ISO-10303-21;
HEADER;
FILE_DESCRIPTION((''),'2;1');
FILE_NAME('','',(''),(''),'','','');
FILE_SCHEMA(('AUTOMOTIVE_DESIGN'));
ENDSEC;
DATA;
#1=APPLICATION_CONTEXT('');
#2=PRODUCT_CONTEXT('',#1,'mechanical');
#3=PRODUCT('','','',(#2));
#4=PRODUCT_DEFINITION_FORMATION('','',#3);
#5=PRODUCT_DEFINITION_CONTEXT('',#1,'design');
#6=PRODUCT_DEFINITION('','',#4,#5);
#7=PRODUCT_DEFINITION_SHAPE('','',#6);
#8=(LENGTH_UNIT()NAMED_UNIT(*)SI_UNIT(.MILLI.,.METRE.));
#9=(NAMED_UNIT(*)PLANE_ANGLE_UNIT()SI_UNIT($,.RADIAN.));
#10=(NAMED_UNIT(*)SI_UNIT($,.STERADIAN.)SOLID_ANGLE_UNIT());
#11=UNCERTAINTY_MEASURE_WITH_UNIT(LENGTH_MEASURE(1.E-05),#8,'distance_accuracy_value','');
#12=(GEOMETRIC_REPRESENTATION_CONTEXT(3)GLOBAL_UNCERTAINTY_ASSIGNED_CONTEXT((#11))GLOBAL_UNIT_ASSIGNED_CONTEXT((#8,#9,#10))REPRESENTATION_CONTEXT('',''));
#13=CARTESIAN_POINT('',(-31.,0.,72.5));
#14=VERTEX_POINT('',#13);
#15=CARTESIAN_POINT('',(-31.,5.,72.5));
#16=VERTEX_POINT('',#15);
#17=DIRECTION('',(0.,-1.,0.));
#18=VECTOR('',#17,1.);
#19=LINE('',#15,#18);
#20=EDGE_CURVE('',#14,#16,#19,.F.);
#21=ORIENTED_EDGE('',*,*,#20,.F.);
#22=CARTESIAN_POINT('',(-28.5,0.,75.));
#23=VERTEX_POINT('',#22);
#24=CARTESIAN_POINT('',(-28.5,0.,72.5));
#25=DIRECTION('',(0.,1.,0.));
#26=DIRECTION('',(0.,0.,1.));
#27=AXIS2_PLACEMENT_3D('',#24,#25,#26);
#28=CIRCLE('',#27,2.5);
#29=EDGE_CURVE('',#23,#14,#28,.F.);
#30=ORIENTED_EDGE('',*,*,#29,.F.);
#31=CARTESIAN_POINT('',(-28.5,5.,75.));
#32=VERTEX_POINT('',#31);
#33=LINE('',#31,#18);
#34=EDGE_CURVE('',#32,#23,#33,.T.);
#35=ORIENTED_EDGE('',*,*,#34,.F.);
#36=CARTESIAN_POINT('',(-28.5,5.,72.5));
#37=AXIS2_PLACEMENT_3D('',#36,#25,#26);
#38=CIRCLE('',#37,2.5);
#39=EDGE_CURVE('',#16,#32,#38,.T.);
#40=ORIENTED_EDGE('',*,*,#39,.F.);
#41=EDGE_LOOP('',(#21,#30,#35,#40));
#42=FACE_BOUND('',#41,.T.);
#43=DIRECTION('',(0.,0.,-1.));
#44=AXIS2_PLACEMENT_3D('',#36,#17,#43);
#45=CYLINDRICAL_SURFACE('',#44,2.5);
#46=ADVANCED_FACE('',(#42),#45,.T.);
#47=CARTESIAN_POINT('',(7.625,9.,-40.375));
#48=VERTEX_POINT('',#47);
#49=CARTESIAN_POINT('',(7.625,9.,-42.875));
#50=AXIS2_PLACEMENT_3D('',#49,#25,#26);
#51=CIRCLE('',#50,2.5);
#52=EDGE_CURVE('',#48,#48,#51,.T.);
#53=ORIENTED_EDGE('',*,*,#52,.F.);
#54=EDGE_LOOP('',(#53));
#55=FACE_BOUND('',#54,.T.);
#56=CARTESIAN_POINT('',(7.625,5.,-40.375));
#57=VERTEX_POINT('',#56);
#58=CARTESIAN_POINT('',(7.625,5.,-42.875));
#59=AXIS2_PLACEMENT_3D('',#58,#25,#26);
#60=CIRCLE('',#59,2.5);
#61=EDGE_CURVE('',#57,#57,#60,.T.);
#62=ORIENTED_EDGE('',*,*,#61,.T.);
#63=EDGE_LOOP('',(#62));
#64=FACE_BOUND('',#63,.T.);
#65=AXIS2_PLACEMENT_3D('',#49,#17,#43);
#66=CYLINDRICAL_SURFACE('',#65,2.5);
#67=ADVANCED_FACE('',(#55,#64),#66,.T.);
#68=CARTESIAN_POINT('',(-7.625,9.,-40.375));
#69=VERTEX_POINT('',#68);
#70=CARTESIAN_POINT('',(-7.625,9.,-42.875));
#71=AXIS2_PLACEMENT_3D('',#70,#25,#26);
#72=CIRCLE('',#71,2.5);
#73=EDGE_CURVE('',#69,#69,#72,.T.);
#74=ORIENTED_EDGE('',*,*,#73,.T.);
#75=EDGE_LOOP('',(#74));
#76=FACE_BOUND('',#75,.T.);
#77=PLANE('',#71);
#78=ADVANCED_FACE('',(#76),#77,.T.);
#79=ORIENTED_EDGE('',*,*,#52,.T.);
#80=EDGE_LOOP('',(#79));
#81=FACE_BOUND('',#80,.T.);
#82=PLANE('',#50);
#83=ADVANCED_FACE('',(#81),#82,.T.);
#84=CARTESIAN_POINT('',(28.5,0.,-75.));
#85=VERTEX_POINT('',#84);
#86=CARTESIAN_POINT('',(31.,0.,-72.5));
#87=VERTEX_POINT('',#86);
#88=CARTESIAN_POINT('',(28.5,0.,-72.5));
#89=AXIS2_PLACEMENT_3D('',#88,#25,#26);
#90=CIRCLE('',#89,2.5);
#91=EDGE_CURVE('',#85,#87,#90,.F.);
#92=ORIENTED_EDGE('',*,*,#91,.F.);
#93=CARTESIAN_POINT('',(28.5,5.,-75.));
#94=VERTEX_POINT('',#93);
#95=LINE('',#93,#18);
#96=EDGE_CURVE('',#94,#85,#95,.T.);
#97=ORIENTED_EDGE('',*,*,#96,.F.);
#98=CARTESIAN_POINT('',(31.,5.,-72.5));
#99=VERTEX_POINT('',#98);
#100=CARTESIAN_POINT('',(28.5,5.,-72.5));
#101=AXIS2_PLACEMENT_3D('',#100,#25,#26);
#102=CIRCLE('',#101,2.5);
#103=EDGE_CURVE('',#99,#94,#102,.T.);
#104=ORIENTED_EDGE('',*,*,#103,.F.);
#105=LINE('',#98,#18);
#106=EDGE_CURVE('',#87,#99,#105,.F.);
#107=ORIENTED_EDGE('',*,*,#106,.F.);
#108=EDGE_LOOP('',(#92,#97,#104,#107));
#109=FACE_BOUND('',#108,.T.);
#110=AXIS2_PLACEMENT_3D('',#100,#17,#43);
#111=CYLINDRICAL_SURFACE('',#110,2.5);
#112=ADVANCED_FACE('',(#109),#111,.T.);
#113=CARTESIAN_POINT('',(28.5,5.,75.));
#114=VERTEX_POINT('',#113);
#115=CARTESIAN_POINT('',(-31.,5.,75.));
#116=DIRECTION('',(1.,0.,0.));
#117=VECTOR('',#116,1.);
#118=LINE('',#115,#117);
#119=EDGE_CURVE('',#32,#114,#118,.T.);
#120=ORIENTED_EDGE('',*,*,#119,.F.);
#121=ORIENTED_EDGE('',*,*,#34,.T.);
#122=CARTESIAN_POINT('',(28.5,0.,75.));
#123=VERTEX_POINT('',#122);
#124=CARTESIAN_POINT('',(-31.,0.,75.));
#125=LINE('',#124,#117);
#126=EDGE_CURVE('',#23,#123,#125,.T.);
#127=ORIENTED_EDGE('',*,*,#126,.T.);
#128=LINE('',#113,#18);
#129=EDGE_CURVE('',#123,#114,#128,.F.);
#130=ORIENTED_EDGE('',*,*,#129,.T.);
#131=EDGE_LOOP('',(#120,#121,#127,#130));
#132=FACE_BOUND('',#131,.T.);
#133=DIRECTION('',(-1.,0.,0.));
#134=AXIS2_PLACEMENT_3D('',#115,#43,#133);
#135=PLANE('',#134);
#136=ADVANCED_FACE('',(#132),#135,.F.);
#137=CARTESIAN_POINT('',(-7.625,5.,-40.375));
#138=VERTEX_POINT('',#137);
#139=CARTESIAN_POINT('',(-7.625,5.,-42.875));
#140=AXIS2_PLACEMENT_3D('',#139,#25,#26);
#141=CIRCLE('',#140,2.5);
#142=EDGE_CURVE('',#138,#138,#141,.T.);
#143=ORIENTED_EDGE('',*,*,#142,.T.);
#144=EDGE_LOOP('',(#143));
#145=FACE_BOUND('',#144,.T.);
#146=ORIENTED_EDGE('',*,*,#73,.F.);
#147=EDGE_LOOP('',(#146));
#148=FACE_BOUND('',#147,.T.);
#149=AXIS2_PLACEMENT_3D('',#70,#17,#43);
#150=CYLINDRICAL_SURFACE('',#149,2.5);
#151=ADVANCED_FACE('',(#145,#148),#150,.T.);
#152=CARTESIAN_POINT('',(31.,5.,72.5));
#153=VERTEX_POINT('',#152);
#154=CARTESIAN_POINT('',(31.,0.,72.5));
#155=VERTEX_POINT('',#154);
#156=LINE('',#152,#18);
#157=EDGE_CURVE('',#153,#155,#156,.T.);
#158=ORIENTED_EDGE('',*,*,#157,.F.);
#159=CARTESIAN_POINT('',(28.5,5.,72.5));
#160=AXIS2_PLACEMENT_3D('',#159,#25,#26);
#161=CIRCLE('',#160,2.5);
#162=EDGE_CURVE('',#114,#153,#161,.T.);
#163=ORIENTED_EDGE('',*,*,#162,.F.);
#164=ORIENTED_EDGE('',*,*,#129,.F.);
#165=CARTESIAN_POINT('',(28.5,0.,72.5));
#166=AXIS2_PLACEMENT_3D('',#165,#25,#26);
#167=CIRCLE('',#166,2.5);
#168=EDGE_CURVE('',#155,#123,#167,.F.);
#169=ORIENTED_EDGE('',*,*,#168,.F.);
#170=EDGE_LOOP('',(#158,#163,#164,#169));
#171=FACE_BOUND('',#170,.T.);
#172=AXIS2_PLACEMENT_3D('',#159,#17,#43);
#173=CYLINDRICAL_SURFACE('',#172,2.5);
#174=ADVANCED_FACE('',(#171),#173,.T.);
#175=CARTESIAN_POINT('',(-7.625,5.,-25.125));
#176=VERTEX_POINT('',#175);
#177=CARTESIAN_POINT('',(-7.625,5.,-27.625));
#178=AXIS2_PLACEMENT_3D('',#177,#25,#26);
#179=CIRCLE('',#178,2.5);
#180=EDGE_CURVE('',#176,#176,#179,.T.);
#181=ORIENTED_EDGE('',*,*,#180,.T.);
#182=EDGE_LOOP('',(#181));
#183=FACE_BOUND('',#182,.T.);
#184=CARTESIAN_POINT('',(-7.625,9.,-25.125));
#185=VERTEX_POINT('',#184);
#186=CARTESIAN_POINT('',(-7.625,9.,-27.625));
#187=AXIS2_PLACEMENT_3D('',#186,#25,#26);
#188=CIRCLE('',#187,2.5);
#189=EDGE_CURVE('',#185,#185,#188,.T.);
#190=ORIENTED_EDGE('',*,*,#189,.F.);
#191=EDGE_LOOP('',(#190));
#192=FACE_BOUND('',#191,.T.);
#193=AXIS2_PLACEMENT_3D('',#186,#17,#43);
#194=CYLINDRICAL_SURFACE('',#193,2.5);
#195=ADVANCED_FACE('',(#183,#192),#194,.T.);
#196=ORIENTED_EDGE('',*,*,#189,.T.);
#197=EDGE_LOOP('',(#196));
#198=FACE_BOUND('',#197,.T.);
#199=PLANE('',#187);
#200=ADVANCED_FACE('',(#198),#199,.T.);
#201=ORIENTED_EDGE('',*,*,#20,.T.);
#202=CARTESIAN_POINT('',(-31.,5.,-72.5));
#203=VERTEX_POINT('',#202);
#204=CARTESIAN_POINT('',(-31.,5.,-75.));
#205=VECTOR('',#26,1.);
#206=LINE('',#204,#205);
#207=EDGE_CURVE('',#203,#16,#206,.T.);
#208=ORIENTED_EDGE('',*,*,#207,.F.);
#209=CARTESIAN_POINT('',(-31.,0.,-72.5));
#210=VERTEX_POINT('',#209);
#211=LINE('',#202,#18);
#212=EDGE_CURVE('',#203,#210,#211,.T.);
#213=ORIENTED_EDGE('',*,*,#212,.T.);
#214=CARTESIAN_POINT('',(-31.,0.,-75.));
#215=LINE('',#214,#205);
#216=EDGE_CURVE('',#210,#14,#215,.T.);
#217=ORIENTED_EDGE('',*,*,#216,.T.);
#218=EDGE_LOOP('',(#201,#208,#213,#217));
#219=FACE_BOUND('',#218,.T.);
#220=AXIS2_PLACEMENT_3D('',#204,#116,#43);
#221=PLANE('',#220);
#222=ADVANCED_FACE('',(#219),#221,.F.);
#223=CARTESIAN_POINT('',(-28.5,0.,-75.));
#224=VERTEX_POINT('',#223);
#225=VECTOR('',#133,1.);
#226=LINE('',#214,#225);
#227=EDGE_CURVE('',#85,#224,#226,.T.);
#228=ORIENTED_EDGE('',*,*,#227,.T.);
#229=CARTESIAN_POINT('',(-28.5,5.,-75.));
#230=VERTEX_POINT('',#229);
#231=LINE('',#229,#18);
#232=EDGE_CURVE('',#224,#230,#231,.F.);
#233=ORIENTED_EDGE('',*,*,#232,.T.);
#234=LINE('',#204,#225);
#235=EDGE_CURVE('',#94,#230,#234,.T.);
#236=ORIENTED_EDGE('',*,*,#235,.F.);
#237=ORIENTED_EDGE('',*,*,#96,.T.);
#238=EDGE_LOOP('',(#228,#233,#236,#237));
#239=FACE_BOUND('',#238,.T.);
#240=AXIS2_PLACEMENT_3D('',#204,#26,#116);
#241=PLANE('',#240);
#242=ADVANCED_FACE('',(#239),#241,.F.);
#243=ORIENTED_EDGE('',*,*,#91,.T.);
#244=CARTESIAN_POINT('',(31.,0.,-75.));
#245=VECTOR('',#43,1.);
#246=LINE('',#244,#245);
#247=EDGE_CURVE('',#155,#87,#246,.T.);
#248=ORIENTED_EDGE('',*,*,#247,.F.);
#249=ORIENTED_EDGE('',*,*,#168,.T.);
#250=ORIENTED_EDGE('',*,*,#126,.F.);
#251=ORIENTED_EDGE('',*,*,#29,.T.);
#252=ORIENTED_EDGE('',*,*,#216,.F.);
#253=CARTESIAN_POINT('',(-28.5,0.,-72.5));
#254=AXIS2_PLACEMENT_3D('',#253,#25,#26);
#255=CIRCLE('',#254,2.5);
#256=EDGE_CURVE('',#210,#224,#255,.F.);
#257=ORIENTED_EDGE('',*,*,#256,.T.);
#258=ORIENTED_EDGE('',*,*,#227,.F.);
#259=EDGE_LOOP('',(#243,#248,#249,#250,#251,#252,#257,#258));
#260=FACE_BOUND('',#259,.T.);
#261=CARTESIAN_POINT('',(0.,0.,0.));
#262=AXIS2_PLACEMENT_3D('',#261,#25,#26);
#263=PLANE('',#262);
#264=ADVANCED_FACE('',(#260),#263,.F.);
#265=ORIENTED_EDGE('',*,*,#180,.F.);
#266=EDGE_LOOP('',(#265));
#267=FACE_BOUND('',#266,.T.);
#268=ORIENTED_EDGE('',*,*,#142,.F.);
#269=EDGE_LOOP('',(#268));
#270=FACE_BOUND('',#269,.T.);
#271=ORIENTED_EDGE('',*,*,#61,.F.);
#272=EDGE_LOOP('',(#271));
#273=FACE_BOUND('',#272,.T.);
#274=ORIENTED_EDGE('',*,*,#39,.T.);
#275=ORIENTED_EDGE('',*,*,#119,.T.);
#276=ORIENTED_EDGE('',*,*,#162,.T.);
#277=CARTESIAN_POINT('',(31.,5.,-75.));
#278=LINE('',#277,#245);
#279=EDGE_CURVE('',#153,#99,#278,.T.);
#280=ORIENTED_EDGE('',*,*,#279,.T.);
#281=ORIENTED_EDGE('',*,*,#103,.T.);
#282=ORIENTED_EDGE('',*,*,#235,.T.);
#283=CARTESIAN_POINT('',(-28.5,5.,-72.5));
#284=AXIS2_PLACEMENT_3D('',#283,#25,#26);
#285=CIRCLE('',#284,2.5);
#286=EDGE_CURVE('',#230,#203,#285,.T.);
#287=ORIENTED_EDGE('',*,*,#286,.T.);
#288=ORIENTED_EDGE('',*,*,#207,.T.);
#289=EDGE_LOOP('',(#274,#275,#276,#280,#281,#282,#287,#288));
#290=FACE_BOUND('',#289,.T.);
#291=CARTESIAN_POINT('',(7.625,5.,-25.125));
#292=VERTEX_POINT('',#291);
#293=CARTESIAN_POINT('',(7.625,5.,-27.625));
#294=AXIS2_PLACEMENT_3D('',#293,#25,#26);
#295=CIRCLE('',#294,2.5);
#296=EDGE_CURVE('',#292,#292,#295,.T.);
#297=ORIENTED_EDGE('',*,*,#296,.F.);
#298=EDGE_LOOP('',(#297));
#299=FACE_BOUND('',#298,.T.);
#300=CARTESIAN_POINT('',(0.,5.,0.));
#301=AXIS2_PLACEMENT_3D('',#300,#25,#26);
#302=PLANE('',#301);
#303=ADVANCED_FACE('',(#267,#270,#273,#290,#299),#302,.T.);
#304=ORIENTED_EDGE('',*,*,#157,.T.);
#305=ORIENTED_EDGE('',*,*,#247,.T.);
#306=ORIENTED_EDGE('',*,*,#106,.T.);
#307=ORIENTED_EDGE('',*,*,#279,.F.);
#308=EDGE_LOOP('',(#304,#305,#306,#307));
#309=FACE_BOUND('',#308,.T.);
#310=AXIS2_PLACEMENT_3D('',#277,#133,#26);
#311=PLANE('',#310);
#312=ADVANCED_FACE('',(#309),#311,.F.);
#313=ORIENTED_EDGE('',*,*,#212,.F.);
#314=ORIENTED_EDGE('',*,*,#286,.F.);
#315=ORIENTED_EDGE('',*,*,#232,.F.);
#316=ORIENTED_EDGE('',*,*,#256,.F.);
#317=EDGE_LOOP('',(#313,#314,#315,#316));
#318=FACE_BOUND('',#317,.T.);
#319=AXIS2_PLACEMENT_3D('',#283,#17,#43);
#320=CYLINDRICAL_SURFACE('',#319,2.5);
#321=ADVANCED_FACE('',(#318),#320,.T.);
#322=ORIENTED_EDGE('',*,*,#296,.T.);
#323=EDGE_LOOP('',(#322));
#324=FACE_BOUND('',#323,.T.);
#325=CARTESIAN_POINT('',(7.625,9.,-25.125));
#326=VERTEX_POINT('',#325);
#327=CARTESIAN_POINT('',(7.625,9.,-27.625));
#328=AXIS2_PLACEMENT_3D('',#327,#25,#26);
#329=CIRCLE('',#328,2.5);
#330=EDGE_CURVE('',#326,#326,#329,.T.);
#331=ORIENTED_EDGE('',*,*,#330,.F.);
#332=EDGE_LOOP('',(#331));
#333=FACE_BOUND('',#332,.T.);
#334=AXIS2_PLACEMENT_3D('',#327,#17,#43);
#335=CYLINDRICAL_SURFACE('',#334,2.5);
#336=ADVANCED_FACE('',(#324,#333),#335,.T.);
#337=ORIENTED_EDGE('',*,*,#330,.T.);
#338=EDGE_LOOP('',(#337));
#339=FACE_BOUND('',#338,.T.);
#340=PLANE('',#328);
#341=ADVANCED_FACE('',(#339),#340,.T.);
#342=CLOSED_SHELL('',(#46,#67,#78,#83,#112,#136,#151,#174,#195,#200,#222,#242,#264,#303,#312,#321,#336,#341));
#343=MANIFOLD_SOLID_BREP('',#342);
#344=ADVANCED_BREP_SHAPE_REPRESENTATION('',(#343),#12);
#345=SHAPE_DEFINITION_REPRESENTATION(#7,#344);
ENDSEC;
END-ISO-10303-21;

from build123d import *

# Parameters (mm, degrees)
SKETCH1_W           = 62
SKETCH1_H           = 150
BOSS_EXTRUDE1_DEPTH = 5
FILLET1_R           = 2.5
SKETCH3_R           = 2.5
BOSS_EXTRUDE2_DEPTH = 4


with BuildPart() as part:
    # Sketch1 → Boss-Extrude1 (new body)
    with BuildSketch(Plane(origin=(0, 0, 0), x_dir=(1, 0, 0), z_dir=(0, 1, 0))):
        Rectangle(SKETCH1_W, SKETCH1_H)
    extrude(amount=BOSS_EXTRUDE1_DEPTH)

    # Fillet1
    fillet1_edges = [part.edges().sort_by_distance(p)[0] for p in [
        (31, 2.5, 75),
        (-31, 2.5, 75),
        (-31, 2.5, -75),
        (31, 2.5, -75),
    ]]
    fillet(fillet1_edges, radius=FILLET1_R)

    # Sketch3 → Boss-Extrude2 (add)
    with BuildSketch(Plane(origin=(0, 5, 0), x_dir=(1, 0, 0), z_dir=(0, 1, 0))):
        with Locations(Location((-7.625, 42.875, 0), (0, 0, 270))):
            Circle(SKETCH3_R)
        with Locations(Location((7.625, 42.875, 0), (0, 0, 270))):
            Circle(SKETCH3_R)
        with Locations(Location((7.625, 27.625, 0), (0, 0, 270))):
            Circle(SKETCH3_R)
        with Locations(Location((-7.625, 27.625, 0), (0, 0, 270))):
            Circle(SKETCH3_R)
    extrude(amount=BOSS_EXTRUDE2_DEPTH)


solid = part.part
